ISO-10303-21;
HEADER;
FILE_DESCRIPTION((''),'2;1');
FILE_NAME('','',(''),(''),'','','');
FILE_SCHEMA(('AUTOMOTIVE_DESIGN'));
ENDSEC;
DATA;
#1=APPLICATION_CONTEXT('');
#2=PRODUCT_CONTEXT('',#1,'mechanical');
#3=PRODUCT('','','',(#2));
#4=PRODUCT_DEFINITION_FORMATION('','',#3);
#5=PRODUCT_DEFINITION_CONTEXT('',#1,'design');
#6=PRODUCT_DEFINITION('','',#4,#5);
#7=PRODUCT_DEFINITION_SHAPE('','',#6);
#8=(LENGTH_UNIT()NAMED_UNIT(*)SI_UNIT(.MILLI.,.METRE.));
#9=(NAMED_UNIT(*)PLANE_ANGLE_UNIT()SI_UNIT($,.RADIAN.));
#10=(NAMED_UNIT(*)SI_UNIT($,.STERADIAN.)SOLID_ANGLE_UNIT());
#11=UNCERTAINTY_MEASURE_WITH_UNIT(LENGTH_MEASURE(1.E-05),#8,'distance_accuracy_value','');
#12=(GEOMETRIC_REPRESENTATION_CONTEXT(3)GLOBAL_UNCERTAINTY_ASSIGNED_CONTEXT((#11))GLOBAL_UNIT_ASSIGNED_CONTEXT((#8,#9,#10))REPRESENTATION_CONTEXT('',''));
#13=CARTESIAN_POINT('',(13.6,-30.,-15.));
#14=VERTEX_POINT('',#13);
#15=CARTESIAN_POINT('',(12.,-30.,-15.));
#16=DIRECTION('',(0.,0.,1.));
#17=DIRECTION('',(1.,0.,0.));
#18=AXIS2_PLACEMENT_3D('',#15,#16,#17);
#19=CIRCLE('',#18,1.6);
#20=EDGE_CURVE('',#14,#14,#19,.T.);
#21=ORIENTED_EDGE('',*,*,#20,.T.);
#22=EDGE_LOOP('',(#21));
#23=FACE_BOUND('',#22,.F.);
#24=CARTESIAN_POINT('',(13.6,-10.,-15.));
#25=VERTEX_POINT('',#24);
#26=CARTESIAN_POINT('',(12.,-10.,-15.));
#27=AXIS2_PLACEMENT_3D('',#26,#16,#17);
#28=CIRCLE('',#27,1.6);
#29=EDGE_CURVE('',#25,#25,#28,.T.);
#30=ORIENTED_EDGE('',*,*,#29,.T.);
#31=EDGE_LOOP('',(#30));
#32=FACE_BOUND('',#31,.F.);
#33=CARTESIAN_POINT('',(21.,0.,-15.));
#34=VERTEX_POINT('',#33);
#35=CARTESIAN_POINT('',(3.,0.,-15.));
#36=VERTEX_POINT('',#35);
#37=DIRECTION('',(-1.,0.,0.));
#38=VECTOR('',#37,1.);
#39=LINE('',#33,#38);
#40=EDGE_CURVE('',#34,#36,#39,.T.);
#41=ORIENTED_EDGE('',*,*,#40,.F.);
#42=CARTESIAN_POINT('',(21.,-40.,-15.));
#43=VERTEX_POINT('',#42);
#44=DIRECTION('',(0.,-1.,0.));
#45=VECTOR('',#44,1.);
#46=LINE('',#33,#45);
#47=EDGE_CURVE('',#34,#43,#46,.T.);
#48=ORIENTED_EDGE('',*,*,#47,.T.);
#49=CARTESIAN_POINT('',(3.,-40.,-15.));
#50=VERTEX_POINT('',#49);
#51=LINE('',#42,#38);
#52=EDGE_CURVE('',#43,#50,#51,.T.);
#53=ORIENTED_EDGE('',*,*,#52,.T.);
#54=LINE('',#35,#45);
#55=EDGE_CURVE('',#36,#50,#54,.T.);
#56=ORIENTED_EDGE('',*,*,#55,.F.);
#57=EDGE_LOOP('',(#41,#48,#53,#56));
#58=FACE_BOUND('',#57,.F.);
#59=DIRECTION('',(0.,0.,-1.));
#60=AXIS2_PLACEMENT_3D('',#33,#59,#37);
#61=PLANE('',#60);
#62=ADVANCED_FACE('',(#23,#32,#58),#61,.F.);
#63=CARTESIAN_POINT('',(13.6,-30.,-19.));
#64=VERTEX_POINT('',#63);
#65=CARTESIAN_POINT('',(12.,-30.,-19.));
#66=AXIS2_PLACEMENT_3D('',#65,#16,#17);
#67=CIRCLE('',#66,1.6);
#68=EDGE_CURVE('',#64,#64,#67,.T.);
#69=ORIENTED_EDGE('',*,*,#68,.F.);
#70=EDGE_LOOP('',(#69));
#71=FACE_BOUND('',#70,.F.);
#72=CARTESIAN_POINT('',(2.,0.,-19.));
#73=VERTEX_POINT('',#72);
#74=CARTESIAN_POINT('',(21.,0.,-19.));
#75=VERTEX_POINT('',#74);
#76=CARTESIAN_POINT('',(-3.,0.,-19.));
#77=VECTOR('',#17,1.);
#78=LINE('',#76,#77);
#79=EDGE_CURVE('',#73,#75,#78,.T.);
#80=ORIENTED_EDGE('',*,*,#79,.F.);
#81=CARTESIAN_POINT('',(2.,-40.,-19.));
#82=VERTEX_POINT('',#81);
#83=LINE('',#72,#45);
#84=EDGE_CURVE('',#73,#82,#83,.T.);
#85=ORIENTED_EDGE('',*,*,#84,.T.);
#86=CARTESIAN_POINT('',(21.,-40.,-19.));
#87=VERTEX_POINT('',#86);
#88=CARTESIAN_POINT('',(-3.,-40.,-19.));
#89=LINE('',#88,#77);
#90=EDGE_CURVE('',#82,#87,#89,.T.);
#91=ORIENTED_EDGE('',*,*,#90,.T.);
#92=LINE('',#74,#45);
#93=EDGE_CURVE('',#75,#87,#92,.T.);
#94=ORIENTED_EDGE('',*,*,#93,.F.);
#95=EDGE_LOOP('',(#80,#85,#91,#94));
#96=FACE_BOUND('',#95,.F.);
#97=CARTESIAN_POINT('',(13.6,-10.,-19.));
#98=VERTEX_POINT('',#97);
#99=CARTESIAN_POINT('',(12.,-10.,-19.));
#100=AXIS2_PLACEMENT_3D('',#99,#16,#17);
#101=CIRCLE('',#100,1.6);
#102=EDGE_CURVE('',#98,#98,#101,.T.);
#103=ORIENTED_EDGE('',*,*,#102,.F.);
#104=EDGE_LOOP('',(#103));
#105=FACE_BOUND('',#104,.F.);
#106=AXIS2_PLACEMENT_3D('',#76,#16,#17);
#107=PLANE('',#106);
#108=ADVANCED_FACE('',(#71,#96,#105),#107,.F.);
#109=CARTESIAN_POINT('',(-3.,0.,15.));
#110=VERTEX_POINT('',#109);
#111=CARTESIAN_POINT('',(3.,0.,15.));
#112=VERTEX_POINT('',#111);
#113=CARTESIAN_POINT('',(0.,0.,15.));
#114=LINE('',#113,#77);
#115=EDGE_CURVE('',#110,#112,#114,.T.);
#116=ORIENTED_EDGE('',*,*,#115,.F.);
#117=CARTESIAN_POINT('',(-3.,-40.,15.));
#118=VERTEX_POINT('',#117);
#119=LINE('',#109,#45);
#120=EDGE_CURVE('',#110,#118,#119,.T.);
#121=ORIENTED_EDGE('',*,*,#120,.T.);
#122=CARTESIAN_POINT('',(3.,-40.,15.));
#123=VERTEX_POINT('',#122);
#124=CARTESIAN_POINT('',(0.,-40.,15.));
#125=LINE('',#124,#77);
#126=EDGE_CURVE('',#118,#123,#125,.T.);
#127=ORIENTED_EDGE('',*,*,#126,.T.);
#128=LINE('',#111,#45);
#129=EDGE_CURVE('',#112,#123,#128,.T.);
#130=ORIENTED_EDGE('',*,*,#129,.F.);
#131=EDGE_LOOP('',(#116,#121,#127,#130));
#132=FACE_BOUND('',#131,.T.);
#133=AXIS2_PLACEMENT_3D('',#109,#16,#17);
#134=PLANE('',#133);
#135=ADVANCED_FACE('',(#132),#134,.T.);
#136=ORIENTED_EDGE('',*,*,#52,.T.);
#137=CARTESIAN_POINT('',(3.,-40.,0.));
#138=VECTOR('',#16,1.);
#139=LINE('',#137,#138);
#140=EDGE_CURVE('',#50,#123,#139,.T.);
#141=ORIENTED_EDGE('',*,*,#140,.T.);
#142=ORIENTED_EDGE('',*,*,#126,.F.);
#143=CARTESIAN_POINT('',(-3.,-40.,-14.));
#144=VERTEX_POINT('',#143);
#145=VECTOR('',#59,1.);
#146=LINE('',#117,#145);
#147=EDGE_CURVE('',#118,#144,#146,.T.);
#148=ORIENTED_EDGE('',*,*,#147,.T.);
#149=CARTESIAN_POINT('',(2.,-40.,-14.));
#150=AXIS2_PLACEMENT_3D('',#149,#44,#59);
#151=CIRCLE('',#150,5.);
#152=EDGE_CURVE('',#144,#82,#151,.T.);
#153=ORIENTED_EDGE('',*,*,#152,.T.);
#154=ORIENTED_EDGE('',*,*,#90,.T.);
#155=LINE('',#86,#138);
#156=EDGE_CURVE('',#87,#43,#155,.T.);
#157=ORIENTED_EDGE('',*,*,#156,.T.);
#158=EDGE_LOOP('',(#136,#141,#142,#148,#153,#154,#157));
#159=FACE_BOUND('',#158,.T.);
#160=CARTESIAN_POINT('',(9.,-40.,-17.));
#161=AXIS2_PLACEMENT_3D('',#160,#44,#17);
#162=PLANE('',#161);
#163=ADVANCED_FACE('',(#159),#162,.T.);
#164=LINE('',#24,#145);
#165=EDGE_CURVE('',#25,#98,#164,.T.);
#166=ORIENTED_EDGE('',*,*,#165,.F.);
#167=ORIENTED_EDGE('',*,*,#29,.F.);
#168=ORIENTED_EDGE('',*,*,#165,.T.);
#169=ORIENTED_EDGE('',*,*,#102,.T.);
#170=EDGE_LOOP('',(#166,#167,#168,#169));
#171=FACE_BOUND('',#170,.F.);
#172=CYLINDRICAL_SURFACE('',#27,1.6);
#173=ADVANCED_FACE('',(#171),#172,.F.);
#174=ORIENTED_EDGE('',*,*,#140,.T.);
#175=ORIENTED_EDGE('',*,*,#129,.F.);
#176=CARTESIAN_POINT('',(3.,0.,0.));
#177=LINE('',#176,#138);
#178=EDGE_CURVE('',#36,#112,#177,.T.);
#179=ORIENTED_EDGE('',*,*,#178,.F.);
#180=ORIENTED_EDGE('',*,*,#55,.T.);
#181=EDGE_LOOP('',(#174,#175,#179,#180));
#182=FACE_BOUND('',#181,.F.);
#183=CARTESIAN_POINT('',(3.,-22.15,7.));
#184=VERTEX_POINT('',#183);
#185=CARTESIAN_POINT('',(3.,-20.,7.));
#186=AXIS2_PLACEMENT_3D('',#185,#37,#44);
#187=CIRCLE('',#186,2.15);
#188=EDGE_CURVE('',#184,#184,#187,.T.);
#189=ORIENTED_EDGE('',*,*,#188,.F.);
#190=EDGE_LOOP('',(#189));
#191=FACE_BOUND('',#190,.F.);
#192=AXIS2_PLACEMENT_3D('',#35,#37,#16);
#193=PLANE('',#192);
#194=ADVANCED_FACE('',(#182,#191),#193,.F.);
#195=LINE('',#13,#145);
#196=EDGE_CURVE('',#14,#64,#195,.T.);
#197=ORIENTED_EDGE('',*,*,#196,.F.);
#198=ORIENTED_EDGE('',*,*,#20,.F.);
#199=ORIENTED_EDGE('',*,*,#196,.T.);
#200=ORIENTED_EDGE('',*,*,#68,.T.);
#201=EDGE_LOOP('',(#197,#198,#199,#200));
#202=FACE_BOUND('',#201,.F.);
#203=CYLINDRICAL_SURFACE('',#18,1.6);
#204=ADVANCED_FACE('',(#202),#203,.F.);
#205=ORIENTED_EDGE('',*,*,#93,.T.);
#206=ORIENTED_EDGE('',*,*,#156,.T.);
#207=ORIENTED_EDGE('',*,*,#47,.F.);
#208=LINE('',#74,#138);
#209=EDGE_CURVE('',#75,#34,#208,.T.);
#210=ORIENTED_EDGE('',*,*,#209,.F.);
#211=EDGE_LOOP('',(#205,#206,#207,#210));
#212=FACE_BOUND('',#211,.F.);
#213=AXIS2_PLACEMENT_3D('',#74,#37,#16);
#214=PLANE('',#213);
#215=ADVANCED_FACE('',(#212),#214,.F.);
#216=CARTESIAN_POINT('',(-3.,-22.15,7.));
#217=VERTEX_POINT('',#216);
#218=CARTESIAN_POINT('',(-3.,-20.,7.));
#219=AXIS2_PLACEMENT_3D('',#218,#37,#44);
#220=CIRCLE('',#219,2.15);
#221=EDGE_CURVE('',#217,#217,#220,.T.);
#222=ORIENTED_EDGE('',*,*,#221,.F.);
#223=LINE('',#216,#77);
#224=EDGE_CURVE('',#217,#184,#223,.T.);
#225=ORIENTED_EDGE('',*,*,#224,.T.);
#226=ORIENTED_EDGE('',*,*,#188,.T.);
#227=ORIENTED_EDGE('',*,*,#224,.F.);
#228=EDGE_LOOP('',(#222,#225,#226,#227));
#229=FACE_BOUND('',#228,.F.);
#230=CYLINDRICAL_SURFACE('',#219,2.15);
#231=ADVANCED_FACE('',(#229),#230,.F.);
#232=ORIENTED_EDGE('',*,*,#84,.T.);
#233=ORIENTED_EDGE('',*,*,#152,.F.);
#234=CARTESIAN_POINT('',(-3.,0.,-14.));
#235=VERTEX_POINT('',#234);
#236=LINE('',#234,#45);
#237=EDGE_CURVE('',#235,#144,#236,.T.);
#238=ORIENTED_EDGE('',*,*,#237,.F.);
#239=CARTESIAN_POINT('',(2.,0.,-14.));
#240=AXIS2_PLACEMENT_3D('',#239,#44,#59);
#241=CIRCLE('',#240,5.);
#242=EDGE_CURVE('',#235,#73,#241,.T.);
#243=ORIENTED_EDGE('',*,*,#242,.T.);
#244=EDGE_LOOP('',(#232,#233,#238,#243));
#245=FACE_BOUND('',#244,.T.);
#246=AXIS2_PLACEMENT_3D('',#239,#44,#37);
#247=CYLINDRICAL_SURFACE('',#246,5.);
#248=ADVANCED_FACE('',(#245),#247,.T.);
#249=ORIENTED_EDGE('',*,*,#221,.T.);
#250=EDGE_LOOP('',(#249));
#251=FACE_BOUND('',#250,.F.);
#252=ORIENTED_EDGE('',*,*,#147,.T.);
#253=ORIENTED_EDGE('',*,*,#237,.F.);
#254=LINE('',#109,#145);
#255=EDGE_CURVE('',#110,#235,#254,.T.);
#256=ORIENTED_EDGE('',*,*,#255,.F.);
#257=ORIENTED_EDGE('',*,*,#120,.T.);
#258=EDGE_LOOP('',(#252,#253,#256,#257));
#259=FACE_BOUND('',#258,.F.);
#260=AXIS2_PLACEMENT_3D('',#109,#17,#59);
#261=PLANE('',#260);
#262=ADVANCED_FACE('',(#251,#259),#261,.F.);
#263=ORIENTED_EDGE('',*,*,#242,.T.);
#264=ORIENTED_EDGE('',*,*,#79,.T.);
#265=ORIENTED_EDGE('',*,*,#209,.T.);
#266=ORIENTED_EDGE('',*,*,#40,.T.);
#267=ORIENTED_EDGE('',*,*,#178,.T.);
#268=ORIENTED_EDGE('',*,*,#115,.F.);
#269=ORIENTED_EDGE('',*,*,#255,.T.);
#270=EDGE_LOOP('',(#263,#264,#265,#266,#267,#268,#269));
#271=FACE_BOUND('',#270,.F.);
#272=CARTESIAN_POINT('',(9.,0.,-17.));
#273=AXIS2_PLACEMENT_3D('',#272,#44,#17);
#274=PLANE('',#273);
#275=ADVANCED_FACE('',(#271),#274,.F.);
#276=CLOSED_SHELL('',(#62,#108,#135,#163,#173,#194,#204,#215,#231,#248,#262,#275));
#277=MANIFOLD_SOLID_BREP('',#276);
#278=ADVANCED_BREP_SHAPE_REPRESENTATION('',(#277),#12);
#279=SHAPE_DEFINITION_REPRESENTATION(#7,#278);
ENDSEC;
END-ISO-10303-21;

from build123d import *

# Parameters (mm, degrees)
F0_W     = 6
F0_H     = 30
F1_DEPTH = 40
F2_R     = 5
F3_R     = 2.15
F4_DEPTH = 25
F5_R     = 1.6
F6_DEPTH = 25


with BuildPart() as f1:
    # F0 (on Front) → F1 (new body)
    with BuildSketch(Plane.XZ):
        Polygon((21, -15), (3, -15), (-3, -15), (-3, -19), (21, -19), align=None)
        Rectangle(F0_W, F0_H)
    extrude(amount=F1_DEPTH)

    # F2
    f2_edges = [f1.edges().sort_by_distance(p)[0] for p in [
        (-3, -20, -19),
    ]]
    fillet(f2_edges, radius=F2_R)

    # F3 (on face) → F4 (cut)
    with BuildSketch(Plane(origin=(-3, 0, 0), x_dir=(0, -1, 0), z_dir=(-1, 0, 0))):
        with Locations((20, 7)):
            Circle(F3_R)
    extrude(amount=-F4_DEPTH, mode=Mode.SUBTRACT)

    # F5 (on face) → F6 (cut)
    with BuildSketch(Plane.XY.offset(-15)):
        with Locations((12, -10)):
            Circle(F5_R)
        with Locations((12, -30)):
            Circle(F5_R)
    extrude(amount=-F6_DEPTH, mode=Mode.SUBTRACT)


solid = f1.part
